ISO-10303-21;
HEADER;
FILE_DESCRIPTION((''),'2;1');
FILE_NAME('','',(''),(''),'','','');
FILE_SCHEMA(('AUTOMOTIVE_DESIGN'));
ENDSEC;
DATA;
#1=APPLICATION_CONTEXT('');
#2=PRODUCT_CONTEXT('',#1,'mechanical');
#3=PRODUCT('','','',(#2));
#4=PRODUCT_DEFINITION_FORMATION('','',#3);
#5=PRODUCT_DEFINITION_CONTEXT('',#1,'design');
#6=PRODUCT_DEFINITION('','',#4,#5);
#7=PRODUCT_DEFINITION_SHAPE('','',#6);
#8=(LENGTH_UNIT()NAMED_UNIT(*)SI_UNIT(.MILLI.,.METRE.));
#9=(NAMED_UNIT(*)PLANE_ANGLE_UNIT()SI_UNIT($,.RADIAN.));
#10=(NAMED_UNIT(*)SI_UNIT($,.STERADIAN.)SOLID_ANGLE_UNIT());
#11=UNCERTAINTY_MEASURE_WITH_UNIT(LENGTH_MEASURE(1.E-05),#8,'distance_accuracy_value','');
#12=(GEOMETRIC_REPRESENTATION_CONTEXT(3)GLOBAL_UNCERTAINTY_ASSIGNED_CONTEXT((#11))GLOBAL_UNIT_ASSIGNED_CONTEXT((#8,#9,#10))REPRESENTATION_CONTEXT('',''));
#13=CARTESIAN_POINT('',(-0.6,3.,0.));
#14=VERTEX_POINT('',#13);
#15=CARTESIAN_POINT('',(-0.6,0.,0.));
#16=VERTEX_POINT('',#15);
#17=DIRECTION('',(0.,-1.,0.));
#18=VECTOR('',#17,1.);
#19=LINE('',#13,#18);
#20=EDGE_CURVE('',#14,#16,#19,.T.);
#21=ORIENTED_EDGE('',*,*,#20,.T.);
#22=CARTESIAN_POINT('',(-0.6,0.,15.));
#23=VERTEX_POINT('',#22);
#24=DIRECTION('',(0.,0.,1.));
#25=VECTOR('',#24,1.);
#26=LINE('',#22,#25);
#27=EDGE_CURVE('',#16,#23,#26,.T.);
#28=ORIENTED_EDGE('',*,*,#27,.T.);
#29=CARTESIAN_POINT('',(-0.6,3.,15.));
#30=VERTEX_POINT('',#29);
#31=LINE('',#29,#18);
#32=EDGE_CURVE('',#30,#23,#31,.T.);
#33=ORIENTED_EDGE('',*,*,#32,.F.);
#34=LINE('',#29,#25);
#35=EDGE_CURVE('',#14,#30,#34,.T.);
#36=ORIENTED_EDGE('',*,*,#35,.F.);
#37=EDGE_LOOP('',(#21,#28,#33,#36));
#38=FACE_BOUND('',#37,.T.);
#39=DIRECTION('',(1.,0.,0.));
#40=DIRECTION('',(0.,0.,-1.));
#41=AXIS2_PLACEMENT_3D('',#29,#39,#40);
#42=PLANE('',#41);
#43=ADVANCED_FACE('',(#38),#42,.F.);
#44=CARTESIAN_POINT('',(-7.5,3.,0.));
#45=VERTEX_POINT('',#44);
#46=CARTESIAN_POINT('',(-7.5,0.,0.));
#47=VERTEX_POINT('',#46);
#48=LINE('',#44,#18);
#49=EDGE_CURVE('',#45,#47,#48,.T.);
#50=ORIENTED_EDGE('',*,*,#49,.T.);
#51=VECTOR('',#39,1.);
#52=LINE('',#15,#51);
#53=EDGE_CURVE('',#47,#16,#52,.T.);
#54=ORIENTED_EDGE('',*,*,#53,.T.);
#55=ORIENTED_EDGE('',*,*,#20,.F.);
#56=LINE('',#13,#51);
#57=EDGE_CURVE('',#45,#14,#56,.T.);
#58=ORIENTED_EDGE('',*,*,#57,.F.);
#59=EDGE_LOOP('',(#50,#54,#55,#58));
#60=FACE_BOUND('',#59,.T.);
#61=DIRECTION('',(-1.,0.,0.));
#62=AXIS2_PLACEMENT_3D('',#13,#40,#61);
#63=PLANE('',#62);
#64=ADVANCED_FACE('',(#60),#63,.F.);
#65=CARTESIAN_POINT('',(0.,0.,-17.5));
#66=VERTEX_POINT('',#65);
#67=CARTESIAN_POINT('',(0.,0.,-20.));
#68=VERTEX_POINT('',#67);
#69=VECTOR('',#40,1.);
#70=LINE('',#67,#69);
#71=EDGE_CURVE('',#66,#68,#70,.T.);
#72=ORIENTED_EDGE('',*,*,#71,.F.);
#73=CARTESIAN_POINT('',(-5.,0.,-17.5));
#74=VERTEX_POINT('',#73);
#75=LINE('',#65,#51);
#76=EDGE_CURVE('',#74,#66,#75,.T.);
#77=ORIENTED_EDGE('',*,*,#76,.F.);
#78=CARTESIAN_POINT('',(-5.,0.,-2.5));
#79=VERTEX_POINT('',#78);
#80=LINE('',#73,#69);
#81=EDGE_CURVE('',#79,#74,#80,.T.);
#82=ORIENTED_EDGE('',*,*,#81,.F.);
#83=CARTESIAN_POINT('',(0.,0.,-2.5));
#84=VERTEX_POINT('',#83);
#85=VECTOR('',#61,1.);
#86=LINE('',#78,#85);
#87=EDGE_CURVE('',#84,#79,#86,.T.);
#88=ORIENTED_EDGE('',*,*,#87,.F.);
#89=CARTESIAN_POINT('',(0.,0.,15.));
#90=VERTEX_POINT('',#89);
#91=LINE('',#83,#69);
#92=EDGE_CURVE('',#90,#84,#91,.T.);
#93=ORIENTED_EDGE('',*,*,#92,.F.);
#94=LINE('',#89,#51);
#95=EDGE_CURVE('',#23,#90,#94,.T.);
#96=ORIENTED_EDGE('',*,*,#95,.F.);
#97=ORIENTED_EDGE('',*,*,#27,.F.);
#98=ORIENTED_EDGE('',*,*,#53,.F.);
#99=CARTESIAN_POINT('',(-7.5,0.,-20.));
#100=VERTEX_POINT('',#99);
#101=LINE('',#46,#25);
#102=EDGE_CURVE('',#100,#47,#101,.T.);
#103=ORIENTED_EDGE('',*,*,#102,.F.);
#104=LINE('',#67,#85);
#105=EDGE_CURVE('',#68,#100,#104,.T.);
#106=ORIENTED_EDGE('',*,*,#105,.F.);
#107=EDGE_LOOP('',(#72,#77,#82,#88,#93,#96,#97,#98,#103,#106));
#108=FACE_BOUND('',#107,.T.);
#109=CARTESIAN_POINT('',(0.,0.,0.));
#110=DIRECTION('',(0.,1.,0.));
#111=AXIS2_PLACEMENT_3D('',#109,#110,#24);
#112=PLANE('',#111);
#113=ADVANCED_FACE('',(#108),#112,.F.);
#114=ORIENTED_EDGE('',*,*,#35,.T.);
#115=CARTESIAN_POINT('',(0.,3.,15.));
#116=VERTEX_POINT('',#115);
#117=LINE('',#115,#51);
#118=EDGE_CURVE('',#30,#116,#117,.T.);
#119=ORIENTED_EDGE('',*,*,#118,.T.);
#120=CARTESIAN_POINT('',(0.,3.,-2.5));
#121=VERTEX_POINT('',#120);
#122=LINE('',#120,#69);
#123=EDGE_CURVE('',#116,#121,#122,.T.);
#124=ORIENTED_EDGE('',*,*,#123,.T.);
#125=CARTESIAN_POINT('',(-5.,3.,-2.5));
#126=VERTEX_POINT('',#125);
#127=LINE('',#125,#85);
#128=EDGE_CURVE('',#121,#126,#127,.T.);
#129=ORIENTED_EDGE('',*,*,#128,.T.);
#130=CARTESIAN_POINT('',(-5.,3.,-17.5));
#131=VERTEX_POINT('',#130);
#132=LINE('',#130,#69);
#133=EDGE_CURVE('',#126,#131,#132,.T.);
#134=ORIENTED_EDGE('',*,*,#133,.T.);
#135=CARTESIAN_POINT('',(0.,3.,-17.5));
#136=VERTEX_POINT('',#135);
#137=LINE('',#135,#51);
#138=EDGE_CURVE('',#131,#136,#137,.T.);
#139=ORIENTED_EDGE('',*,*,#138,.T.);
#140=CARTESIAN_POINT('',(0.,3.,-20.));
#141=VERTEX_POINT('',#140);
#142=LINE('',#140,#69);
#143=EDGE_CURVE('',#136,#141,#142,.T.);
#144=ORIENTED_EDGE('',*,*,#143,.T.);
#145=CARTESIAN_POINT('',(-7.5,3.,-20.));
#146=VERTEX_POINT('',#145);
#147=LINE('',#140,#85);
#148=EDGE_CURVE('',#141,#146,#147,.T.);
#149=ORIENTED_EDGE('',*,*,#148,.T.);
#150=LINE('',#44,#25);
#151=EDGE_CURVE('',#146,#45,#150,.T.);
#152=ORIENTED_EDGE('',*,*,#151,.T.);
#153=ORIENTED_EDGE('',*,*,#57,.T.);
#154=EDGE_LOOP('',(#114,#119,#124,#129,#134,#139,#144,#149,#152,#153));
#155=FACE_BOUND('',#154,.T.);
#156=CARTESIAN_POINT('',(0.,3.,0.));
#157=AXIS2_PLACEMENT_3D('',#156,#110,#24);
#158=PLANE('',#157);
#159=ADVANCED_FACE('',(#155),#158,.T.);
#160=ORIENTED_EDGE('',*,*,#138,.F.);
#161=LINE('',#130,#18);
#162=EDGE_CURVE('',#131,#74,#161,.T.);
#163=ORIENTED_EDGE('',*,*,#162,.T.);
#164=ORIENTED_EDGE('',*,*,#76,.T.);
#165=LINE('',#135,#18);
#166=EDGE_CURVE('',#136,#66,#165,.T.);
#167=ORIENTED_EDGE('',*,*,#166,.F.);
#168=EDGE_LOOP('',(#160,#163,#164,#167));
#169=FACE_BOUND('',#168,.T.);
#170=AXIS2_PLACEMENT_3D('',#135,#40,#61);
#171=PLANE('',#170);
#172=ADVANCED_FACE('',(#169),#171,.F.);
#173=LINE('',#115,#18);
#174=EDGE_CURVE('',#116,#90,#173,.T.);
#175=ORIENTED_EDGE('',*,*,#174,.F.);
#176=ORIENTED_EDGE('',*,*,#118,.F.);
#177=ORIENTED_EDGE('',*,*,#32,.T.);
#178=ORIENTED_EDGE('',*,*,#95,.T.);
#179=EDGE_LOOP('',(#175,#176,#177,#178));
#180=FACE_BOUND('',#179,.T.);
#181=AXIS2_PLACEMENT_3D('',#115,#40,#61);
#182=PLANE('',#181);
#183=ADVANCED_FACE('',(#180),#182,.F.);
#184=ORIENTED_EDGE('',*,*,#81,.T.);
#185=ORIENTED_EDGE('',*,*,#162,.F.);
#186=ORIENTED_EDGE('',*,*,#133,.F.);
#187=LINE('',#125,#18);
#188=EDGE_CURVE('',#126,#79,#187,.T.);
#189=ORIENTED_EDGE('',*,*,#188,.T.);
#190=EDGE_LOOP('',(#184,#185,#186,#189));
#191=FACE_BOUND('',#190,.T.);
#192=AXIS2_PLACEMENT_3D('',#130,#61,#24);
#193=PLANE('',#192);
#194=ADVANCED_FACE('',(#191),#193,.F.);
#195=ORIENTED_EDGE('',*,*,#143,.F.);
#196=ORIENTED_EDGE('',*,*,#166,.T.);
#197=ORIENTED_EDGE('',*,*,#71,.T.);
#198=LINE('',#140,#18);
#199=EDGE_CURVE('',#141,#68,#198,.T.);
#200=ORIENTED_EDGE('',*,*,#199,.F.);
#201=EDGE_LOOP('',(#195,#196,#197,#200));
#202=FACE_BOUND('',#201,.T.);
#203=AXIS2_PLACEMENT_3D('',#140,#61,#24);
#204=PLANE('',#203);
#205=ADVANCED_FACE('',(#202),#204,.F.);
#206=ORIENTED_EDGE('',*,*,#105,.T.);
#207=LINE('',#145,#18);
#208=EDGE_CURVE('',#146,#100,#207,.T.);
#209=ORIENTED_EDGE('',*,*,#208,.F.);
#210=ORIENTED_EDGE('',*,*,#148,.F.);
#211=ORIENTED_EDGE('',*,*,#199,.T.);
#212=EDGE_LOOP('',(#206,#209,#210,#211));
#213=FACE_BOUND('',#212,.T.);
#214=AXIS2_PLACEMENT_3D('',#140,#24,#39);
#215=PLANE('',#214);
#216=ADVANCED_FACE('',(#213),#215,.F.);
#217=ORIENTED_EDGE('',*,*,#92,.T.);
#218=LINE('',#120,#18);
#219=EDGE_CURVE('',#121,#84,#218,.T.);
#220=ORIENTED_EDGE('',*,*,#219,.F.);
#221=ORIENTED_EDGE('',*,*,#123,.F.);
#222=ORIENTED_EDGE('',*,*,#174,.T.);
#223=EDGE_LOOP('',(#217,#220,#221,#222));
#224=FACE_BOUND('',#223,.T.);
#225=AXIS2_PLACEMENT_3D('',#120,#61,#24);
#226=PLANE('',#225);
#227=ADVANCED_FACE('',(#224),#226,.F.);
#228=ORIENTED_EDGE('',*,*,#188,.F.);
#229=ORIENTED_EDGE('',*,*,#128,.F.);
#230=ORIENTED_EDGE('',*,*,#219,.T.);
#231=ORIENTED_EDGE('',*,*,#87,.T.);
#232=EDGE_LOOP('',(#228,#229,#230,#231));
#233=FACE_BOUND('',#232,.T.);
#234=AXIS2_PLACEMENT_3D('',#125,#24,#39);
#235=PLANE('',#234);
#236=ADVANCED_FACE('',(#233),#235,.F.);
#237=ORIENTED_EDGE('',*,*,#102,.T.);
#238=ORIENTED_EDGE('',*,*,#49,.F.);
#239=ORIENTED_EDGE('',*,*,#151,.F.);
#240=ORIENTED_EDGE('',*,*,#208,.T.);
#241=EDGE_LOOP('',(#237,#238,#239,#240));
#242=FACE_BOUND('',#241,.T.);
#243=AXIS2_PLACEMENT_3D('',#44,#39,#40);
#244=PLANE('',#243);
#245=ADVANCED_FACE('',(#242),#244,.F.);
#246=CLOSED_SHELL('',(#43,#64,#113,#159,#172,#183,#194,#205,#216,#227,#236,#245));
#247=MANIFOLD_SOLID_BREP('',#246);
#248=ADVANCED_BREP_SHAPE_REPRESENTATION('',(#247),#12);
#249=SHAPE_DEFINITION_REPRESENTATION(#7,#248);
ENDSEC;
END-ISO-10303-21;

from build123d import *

# Parameters (mm, degrees)
BOSS_EXTRUDE1_DEPTH = 3


with BuildPart() as part:
    # Sketch1 → Boss-Extrude1 (new body)
    with BuildSketch(Plane(origin=(0, 0, 0), x_dir=(1, 0, 0), z_dir=(0, 1, 0))):
        Polygon((0, 20), (0, 17.5), (-5, 17.5), (-5, 2.5), (0, 2.5), (0, -15), (-0.6, -15), (-0.6, 0), (-7.5, 0), (-7.5, 20), align=None)
    extrude(amount=BOSS_EXTRUDE1_DEPTH)


solid = part.part
